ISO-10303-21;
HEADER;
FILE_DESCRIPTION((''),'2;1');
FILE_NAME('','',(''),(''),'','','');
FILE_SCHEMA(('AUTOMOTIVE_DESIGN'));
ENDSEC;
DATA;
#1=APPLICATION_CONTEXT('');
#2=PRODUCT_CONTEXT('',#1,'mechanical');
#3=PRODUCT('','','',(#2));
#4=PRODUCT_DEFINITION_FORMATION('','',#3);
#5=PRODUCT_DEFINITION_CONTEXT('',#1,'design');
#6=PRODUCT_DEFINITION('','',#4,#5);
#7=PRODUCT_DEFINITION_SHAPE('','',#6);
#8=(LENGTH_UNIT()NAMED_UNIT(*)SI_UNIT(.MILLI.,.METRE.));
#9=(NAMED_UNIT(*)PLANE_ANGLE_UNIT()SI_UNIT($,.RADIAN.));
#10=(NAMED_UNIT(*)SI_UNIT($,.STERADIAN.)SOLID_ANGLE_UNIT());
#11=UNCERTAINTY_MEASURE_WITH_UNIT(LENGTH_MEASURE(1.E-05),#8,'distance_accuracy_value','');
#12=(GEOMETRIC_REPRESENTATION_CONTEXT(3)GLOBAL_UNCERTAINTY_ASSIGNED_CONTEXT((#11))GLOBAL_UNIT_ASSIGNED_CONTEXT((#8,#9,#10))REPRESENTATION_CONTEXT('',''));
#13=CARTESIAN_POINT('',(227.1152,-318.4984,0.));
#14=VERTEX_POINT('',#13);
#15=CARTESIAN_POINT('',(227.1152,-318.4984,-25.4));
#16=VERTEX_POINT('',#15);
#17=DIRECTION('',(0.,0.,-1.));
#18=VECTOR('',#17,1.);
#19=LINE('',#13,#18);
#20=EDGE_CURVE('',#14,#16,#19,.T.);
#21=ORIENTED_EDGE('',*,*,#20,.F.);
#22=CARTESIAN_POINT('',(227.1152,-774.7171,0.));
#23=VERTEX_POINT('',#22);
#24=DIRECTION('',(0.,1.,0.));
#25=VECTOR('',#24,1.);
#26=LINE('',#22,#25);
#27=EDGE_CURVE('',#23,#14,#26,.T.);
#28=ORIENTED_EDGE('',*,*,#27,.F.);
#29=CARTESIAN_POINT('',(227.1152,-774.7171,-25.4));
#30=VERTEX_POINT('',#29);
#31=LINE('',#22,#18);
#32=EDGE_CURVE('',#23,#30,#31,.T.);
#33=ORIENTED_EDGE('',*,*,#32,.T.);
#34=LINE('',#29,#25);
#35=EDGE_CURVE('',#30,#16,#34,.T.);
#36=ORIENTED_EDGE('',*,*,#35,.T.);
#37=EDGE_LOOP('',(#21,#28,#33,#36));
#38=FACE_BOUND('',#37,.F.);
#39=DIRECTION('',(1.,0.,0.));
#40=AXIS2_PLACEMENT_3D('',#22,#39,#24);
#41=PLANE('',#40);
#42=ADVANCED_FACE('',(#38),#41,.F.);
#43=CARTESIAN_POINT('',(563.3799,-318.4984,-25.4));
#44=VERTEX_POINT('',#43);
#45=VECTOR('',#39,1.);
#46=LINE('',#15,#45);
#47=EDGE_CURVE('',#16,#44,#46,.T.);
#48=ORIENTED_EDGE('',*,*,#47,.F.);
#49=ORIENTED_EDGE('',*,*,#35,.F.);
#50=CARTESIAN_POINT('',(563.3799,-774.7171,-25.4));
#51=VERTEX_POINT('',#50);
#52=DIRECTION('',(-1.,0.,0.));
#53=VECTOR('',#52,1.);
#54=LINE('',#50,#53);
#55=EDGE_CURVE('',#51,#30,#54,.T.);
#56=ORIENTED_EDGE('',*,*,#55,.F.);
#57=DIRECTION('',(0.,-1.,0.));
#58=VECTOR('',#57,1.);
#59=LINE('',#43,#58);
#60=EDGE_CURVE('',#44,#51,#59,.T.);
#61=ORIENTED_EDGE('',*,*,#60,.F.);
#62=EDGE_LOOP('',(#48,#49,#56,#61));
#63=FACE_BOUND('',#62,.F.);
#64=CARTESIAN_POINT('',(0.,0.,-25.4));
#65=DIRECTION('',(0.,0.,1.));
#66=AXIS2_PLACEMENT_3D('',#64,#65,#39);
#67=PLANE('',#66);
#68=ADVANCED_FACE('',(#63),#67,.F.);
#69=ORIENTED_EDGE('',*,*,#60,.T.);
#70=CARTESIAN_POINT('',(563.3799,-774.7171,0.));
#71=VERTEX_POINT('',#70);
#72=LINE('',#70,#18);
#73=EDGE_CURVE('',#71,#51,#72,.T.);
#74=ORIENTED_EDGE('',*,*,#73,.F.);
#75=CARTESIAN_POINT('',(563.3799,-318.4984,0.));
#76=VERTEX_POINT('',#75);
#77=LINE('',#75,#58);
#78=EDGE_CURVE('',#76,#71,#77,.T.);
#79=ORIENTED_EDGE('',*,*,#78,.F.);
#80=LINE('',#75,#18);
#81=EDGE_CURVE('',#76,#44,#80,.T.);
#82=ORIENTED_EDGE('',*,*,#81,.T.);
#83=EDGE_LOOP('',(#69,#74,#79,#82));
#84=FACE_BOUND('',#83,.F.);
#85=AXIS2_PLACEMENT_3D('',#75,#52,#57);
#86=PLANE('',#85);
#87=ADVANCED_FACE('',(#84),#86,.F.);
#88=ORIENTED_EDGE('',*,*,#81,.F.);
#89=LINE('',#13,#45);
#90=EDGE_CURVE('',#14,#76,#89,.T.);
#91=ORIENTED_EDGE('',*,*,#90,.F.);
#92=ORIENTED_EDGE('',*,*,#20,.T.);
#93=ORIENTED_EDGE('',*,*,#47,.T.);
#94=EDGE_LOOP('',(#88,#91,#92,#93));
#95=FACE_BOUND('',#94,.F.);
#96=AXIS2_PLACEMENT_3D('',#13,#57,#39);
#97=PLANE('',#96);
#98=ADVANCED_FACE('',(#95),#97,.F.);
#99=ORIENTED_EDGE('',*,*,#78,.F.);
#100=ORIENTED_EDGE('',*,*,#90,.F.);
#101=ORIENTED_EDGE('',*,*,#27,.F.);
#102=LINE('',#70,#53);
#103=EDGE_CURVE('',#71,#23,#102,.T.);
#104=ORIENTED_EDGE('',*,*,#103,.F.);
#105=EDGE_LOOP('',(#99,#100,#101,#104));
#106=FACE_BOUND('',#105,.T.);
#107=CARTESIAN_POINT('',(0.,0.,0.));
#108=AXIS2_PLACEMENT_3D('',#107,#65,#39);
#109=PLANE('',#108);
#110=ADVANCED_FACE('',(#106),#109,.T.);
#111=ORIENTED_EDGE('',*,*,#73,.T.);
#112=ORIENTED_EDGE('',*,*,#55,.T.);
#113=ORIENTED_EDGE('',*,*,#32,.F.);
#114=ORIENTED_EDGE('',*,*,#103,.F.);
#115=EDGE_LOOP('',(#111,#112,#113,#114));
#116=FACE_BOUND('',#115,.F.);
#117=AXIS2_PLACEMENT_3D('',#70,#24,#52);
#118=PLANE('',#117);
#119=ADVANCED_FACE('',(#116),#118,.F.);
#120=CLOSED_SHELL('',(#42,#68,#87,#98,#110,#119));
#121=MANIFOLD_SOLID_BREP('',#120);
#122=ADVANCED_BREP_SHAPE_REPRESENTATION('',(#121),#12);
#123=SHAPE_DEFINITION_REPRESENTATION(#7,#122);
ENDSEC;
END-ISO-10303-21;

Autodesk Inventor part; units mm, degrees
ref_plane "YZ Plane" through (0, 0, 0) normal (1, 0, 0) x (0, 1, 0)
ref_plane "XZ Plane" through (0, 0, 0) normal (0, 1, 0) x (-1, 0, 0)
ref_plane "XY Plane" through (0, 0, 0) normal (0, 0, 1) x (1, 0, 0)
sketch "Sketch1" plane through (0, 0, 0) normal (0, 0, 1) x (1, 0, 0)
  line L0 (-12.238, 10.3036) -> (787.862, 10.3036) construction
  line L1 (787.862, 10.3036) -> (787.862, -1056.4965) construction
  line L2 (787.862, -1056.4965) -> (-12.238, -1056.4965) construction
  line L3 (-12.238, -1056.4965) -> (-12.238, 10.3036) construction
  line L4 (227.1152, -318.4984) -> (563.3799, -318.4984)
  line L5 (563.3799, -318.4984) -> (563.3799, -774.7171)
  line L6 (563.3799, -774.7171) -> (227.1152, -774.7171)
  line L7 (227.1152, -774.7171) -> (227.1152, -318.4984)
  point P0 (0, 0)
  dimension "d3" = 336.2647
  dimension "d6" = 456.2187
extrude "Extrusion1" add sketch "Sketch1" against normal blind 25.4
properties part number "spong"
